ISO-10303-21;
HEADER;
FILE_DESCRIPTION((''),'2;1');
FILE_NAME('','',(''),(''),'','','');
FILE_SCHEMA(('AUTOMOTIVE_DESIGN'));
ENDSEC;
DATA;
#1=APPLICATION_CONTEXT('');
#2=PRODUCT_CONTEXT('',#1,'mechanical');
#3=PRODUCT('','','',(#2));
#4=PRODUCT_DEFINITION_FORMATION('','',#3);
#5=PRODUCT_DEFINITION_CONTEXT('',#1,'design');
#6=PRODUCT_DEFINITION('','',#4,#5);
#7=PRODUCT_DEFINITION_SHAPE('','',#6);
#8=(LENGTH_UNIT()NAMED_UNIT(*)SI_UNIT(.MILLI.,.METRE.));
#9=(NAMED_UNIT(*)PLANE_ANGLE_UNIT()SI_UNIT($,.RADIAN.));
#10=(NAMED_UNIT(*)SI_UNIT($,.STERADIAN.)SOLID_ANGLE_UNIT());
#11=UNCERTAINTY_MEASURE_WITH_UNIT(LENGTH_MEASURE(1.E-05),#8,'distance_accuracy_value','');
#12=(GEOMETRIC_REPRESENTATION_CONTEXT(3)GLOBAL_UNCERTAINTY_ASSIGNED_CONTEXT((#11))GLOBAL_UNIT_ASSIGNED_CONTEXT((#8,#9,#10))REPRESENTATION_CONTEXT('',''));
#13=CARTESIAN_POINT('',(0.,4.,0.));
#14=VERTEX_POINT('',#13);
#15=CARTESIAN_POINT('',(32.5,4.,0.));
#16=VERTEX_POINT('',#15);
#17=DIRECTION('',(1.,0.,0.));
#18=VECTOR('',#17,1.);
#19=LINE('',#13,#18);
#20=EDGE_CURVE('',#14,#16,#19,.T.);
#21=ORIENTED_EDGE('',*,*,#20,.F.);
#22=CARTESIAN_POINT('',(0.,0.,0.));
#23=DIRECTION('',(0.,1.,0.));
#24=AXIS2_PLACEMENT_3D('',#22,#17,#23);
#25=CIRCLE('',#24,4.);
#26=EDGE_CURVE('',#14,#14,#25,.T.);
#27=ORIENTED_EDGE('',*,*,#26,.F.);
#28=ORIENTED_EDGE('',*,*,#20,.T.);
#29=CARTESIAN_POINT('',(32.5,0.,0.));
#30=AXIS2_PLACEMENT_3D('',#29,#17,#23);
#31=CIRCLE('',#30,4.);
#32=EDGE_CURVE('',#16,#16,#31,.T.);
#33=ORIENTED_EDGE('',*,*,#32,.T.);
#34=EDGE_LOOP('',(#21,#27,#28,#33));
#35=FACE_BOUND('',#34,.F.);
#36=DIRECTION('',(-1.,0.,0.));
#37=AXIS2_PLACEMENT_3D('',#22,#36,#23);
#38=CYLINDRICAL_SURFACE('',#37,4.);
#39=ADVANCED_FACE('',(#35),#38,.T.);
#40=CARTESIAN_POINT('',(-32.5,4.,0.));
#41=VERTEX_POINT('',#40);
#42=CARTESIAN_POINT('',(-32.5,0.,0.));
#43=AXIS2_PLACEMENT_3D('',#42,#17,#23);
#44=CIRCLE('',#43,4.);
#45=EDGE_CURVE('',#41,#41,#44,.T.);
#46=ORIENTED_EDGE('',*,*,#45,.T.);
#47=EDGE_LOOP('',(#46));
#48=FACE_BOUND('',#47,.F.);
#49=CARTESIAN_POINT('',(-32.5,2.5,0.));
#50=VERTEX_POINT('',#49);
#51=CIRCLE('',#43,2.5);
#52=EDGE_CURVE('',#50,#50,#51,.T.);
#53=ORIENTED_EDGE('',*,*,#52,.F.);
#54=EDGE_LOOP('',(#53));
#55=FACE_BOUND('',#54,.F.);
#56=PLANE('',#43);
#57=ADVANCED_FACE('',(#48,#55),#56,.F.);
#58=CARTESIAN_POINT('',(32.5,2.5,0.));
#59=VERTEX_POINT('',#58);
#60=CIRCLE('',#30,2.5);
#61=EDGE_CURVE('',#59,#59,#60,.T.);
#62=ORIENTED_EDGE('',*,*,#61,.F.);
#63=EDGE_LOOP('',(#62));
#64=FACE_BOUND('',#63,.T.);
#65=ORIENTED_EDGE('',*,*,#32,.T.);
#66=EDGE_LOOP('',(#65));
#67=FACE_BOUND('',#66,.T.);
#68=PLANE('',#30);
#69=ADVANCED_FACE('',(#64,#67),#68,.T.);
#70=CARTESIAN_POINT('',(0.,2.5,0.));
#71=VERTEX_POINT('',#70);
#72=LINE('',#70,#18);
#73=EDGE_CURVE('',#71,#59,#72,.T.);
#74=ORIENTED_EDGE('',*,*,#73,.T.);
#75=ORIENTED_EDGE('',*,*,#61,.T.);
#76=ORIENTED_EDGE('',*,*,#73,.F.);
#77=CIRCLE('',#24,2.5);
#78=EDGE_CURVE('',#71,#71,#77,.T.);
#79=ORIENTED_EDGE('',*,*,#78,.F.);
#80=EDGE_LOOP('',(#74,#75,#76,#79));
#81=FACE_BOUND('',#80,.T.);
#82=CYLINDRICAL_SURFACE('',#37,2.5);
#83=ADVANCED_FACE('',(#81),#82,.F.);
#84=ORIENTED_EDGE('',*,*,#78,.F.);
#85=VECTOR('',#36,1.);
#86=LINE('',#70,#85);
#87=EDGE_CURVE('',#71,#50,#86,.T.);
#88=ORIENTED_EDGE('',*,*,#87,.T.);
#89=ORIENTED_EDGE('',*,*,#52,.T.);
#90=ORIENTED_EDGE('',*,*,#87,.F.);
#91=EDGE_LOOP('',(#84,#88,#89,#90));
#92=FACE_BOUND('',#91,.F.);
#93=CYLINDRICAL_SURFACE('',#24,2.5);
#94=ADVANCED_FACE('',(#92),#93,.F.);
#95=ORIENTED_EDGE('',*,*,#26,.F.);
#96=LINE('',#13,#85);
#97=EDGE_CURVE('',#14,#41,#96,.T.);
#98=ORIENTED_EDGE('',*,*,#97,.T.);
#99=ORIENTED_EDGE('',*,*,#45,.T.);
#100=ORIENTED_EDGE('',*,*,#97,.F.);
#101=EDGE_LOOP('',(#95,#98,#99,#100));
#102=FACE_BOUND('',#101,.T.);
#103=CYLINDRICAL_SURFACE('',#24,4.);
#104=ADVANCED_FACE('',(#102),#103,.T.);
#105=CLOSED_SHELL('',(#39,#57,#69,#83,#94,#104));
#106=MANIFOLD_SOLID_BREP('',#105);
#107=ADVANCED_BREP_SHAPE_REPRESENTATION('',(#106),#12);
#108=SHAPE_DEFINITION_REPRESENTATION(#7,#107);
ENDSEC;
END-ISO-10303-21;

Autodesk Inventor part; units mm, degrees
ref_plane "YZ Plane" through (0, 0, 0) normal (1, 0, 0) x (0, 1, 0)
ref_plane "XZ Plane" through (0, 0, 0) normal (0, 1, 0) x (-1, 0, 0)
ref_plane "XY Plane" through (0, 0, 0) normal (0, 0, 1) x (1, 0, 0)
sketch "Эскиз1" plane through (0, 0, 0) normal (1, 0, 0) x (0, 1, 0)
  circle A0 centre (0, 0) radius 2.5
  circle A1 centre (0, 0) radius 4
  dimension "d0" = 5
  dimension "d1" = 8
extrude "Выдавливание1" add sketch "Эскиз1" along normal mid plane 65
properties part number "Трубка"
